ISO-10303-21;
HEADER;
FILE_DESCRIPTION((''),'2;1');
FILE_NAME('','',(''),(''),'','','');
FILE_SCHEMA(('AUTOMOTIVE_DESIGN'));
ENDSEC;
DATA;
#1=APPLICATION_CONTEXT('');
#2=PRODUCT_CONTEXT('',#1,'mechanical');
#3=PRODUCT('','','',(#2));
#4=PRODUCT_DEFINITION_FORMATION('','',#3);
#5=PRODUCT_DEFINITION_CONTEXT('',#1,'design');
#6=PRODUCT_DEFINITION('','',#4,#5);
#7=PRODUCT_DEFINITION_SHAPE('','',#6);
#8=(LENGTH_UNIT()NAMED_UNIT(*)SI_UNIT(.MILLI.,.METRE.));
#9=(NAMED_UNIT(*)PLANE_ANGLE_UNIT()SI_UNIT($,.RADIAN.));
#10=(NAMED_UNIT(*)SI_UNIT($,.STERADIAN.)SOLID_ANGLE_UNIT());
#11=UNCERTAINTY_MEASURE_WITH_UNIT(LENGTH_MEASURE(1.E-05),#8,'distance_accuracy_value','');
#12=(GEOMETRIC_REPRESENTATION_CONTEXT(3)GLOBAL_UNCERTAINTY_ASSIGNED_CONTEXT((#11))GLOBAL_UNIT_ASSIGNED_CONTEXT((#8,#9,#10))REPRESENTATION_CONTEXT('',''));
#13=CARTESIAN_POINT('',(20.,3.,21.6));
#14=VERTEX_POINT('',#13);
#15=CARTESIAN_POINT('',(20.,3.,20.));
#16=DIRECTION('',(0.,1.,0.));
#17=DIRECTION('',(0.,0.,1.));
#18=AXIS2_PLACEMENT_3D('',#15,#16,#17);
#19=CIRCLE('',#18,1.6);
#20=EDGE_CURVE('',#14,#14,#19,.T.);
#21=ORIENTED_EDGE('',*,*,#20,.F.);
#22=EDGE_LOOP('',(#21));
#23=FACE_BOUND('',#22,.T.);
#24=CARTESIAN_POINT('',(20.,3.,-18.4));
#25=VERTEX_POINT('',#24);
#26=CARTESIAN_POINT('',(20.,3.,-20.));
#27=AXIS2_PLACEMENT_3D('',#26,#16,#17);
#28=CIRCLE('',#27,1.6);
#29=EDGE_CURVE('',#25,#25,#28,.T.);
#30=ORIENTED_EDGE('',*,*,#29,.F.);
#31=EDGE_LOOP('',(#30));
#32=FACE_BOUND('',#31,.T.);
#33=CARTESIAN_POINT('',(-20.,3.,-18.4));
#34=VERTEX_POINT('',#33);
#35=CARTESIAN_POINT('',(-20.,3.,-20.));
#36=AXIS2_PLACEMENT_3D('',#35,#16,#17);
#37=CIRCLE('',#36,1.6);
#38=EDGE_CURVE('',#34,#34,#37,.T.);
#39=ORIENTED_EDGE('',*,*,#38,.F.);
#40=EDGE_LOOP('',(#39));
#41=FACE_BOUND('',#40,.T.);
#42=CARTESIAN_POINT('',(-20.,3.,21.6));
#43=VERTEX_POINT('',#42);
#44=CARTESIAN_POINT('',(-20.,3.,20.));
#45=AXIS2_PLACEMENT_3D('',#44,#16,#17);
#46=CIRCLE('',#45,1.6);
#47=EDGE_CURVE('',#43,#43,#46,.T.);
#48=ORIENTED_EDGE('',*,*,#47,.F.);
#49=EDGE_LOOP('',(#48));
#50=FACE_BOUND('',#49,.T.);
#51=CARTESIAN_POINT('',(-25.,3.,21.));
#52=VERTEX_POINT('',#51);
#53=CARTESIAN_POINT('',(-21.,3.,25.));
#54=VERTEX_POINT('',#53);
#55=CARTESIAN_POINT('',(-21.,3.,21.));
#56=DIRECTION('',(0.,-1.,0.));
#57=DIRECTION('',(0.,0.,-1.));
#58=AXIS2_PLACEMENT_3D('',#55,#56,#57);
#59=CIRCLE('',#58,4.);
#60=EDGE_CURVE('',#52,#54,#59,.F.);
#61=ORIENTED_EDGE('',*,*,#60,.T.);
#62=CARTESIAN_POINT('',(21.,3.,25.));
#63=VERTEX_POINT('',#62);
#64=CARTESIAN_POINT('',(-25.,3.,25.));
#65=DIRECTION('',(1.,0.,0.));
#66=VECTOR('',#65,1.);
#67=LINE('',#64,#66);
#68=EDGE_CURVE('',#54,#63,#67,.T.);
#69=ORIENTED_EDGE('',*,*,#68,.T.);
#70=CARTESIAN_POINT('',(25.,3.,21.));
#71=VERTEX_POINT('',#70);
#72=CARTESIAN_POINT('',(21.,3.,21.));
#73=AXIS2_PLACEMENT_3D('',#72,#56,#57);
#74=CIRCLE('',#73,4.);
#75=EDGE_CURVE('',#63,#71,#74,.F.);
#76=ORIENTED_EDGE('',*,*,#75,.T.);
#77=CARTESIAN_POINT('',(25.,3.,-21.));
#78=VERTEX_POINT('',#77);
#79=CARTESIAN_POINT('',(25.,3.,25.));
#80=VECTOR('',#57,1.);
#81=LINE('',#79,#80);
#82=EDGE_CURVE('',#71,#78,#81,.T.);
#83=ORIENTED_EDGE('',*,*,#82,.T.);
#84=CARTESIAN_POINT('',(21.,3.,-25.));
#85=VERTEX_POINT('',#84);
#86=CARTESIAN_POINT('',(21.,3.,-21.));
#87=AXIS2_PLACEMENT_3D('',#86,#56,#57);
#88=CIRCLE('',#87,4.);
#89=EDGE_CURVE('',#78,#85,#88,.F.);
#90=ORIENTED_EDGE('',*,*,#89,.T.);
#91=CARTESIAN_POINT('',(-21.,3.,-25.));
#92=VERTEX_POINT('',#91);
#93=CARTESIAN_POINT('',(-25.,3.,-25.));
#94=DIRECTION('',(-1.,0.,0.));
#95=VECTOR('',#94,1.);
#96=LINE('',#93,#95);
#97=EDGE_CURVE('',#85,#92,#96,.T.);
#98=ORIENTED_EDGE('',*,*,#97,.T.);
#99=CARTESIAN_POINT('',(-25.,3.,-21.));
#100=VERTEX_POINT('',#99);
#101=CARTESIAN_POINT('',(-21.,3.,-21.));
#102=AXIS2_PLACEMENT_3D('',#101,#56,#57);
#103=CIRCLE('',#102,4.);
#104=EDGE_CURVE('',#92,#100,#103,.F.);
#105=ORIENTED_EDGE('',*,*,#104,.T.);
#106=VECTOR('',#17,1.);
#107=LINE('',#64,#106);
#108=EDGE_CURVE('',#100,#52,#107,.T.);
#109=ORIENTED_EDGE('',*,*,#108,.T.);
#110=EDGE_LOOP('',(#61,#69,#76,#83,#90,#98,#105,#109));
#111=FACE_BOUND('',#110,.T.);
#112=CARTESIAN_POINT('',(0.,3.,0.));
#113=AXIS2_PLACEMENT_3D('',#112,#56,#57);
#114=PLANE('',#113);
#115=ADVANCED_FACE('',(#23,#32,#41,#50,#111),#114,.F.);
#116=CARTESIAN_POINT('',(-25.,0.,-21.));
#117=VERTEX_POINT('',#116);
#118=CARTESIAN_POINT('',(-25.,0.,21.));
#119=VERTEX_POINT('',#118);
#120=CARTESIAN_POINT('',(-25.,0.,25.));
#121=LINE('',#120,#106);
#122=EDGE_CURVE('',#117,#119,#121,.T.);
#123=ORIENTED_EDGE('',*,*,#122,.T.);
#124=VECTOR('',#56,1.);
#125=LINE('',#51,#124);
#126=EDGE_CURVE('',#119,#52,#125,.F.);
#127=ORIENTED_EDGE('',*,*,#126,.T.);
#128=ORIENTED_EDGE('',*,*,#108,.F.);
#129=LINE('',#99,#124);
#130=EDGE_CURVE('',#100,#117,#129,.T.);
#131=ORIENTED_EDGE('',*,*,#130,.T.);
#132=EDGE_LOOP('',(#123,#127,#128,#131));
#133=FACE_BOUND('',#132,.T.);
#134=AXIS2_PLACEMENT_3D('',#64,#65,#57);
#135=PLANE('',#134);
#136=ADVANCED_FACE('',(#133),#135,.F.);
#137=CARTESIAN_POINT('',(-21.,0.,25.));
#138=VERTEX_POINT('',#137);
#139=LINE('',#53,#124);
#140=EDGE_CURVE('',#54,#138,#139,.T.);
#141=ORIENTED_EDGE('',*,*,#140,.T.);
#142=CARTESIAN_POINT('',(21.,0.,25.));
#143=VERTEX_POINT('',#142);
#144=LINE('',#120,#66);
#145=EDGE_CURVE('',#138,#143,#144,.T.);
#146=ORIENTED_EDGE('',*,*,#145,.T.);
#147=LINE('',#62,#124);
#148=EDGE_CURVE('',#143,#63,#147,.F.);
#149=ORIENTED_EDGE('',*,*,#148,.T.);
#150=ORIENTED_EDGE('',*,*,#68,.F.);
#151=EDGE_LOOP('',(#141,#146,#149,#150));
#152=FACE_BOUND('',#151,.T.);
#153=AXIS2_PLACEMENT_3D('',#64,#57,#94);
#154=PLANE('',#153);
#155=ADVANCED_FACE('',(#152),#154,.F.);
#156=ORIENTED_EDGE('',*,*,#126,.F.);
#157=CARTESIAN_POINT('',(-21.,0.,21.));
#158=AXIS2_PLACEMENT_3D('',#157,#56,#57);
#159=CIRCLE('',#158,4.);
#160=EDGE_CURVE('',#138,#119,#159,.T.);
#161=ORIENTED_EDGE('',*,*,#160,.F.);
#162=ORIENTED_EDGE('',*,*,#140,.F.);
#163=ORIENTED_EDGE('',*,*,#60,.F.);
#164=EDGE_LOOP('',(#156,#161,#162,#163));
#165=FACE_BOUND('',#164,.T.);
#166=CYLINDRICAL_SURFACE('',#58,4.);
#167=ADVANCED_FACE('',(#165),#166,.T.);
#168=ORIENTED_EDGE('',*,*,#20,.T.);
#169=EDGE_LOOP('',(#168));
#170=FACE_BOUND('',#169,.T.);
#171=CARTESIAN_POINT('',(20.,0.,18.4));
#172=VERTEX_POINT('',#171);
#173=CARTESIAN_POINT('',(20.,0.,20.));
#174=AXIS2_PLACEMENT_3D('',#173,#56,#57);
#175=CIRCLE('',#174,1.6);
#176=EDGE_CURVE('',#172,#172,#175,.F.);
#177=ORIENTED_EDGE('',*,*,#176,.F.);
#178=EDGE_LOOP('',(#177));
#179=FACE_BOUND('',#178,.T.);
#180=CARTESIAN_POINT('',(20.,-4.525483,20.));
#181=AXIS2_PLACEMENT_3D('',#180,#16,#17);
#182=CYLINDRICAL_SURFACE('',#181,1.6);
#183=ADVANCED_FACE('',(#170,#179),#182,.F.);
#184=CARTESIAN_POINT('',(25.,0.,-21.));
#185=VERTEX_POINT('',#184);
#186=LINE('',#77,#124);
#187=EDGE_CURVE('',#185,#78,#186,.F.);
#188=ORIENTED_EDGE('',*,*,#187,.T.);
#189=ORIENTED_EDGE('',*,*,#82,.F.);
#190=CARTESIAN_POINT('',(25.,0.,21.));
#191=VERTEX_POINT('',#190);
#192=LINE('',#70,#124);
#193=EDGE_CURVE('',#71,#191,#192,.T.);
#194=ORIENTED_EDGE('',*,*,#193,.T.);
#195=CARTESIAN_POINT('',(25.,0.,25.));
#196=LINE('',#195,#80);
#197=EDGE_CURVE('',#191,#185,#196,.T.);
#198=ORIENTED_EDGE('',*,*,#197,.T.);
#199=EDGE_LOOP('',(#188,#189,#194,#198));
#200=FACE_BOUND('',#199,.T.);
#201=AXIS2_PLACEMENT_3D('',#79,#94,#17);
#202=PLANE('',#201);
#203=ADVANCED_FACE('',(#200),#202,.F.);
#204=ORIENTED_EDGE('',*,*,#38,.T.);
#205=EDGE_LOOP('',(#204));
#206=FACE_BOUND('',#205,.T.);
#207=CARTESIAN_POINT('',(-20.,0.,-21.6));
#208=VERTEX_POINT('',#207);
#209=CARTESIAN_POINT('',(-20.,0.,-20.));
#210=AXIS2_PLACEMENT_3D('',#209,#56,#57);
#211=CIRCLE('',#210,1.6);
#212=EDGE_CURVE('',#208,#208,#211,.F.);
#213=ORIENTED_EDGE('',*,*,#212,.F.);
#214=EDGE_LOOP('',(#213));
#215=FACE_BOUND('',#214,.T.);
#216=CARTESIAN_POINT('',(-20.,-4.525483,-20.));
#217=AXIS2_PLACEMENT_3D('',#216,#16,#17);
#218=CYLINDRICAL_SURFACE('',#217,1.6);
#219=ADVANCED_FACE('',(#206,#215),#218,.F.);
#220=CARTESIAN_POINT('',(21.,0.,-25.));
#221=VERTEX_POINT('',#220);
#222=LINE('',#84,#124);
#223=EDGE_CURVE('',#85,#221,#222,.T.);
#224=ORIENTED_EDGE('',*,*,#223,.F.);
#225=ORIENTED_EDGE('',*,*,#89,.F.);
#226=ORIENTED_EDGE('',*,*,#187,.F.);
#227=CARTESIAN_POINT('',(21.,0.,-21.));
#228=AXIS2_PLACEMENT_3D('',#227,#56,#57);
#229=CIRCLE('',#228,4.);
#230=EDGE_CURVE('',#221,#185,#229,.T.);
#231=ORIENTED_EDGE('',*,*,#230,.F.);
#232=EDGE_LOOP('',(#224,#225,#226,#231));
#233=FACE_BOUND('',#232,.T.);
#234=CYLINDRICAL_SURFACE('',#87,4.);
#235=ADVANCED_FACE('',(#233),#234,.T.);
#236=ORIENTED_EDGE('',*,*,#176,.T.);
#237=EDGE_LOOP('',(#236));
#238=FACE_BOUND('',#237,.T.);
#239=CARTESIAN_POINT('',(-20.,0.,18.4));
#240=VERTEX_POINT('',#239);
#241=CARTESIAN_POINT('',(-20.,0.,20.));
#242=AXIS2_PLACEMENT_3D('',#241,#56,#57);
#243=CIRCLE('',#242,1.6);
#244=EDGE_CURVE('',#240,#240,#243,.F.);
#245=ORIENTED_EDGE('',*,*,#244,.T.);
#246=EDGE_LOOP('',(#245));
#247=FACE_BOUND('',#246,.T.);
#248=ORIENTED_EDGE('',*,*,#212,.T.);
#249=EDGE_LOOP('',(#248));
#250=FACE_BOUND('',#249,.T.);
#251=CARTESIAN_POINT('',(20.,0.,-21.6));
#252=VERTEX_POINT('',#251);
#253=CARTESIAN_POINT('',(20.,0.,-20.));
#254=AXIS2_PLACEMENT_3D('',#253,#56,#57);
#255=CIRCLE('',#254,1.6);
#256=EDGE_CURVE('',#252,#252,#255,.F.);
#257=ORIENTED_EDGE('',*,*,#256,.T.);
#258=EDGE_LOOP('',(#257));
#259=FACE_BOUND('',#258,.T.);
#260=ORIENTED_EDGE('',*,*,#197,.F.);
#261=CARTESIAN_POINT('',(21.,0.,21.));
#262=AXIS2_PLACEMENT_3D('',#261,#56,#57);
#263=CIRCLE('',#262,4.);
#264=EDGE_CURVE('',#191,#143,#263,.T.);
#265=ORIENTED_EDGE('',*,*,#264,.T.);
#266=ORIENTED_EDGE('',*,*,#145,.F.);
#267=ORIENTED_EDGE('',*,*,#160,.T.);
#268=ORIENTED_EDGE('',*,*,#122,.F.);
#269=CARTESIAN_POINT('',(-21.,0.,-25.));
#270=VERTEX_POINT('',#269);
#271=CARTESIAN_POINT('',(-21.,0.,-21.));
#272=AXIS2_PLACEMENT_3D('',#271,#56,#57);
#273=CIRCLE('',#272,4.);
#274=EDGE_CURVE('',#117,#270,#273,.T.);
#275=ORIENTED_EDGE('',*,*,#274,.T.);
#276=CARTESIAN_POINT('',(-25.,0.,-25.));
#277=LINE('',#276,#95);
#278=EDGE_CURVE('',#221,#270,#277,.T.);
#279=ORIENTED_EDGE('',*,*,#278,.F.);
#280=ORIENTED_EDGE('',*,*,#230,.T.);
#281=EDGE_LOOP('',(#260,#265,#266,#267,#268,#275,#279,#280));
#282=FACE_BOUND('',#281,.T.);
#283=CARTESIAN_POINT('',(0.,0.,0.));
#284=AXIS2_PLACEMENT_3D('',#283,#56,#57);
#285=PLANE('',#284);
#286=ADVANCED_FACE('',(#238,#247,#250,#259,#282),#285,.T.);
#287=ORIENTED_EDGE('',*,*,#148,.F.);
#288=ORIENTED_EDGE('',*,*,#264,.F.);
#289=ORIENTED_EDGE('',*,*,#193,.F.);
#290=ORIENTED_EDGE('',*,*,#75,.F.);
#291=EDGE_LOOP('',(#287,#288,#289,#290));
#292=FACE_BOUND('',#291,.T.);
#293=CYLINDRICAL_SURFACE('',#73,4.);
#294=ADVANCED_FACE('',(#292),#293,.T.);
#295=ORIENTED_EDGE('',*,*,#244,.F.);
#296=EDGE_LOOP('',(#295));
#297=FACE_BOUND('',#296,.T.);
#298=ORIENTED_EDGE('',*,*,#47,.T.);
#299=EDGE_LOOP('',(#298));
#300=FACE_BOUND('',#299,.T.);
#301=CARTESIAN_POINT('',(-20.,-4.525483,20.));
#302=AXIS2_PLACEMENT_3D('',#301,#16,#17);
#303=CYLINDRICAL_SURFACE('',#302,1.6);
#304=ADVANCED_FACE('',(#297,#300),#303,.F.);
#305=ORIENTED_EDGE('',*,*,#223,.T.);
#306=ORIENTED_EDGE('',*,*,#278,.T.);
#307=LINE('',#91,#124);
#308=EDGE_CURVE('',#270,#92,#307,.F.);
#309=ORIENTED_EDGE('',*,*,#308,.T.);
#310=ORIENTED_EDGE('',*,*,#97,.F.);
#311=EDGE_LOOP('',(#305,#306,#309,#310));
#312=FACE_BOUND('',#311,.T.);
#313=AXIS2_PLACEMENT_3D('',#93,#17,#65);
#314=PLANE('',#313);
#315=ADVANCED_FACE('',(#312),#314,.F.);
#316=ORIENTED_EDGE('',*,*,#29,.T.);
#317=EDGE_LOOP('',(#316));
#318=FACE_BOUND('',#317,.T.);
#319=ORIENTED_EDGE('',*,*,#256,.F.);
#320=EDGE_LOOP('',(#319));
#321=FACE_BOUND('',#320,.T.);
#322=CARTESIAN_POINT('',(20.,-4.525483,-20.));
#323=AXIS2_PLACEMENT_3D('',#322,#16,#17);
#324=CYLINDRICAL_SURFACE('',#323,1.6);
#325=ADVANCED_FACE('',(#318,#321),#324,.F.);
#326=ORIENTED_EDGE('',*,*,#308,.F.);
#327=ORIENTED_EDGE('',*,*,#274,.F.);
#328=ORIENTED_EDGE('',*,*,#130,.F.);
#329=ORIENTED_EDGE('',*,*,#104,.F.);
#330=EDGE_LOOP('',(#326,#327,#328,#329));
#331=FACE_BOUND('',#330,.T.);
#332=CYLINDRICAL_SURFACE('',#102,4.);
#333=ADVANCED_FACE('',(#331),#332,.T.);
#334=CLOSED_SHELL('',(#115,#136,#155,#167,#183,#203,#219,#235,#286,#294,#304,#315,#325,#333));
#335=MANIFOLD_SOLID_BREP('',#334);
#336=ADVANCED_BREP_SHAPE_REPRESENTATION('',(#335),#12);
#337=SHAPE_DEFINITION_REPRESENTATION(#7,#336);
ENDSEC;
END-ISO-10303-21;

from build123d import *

# Parameters (mm, degrees)
SKETCH1_W           = 50
SKETCH1_H           = 50
BOSS_EXTRUDE1_DEPTH = 3
SKETCH2_R           = 1.6
CUT_EXTRUDE1_DEPTH  = 3
FILLET1_R           = 4


with BuildPart() as part:
    # Sketch1 → Boss-Extrude1 (new body)
    with BuildSketch(Plane(origin=(0, 0, 0), x_dir=(1, 0, 0), z_dir=(0, 1, 0))):
        Rectangle(SKETCH1_W, SKETCH1_H)
    extrude(amount=BOSS_EXTRUDE1_DEPTH)

    # Sketch2 → Cut-Extrude1 (cut)
    with BuildSketch(Plane(origin=(0, 3, 0), x_dir=(1, 0, 0), z_dir=(0, 1, 0))):
        with Locations(Location((-20, 20, 0), (0, 0, 270))):
            Circle(SKETCH2_R)
        with Locations(Location((20, 20, 0), (0, 0, 270))):
            Circle(SKETCH2_R)
        with Locations(Location((20, -20, 0), (0, 0, 270))):
            Circle(SKETCH2_R)
        with Locations(Location((-20, -20, 0), (0, 0, 270))):
            Circle(SKETCH2_R)
    extrude(amount=-CUT_EXTRUDE1_DEPTH, mode=Mode.SUBTRACT)

    # Fillet1
    fillet1_edges = [part.edges().sort_by_distance(p)[0] for p in [
        (25, 1.5, 25),
        (-25, 1.5, 25),
        (-25, 1.5, -25),
        (25, 1.5, -25),
    ]]
    fillet(fillet1_edges, radius=FILLET1_R)


solid = part.part
